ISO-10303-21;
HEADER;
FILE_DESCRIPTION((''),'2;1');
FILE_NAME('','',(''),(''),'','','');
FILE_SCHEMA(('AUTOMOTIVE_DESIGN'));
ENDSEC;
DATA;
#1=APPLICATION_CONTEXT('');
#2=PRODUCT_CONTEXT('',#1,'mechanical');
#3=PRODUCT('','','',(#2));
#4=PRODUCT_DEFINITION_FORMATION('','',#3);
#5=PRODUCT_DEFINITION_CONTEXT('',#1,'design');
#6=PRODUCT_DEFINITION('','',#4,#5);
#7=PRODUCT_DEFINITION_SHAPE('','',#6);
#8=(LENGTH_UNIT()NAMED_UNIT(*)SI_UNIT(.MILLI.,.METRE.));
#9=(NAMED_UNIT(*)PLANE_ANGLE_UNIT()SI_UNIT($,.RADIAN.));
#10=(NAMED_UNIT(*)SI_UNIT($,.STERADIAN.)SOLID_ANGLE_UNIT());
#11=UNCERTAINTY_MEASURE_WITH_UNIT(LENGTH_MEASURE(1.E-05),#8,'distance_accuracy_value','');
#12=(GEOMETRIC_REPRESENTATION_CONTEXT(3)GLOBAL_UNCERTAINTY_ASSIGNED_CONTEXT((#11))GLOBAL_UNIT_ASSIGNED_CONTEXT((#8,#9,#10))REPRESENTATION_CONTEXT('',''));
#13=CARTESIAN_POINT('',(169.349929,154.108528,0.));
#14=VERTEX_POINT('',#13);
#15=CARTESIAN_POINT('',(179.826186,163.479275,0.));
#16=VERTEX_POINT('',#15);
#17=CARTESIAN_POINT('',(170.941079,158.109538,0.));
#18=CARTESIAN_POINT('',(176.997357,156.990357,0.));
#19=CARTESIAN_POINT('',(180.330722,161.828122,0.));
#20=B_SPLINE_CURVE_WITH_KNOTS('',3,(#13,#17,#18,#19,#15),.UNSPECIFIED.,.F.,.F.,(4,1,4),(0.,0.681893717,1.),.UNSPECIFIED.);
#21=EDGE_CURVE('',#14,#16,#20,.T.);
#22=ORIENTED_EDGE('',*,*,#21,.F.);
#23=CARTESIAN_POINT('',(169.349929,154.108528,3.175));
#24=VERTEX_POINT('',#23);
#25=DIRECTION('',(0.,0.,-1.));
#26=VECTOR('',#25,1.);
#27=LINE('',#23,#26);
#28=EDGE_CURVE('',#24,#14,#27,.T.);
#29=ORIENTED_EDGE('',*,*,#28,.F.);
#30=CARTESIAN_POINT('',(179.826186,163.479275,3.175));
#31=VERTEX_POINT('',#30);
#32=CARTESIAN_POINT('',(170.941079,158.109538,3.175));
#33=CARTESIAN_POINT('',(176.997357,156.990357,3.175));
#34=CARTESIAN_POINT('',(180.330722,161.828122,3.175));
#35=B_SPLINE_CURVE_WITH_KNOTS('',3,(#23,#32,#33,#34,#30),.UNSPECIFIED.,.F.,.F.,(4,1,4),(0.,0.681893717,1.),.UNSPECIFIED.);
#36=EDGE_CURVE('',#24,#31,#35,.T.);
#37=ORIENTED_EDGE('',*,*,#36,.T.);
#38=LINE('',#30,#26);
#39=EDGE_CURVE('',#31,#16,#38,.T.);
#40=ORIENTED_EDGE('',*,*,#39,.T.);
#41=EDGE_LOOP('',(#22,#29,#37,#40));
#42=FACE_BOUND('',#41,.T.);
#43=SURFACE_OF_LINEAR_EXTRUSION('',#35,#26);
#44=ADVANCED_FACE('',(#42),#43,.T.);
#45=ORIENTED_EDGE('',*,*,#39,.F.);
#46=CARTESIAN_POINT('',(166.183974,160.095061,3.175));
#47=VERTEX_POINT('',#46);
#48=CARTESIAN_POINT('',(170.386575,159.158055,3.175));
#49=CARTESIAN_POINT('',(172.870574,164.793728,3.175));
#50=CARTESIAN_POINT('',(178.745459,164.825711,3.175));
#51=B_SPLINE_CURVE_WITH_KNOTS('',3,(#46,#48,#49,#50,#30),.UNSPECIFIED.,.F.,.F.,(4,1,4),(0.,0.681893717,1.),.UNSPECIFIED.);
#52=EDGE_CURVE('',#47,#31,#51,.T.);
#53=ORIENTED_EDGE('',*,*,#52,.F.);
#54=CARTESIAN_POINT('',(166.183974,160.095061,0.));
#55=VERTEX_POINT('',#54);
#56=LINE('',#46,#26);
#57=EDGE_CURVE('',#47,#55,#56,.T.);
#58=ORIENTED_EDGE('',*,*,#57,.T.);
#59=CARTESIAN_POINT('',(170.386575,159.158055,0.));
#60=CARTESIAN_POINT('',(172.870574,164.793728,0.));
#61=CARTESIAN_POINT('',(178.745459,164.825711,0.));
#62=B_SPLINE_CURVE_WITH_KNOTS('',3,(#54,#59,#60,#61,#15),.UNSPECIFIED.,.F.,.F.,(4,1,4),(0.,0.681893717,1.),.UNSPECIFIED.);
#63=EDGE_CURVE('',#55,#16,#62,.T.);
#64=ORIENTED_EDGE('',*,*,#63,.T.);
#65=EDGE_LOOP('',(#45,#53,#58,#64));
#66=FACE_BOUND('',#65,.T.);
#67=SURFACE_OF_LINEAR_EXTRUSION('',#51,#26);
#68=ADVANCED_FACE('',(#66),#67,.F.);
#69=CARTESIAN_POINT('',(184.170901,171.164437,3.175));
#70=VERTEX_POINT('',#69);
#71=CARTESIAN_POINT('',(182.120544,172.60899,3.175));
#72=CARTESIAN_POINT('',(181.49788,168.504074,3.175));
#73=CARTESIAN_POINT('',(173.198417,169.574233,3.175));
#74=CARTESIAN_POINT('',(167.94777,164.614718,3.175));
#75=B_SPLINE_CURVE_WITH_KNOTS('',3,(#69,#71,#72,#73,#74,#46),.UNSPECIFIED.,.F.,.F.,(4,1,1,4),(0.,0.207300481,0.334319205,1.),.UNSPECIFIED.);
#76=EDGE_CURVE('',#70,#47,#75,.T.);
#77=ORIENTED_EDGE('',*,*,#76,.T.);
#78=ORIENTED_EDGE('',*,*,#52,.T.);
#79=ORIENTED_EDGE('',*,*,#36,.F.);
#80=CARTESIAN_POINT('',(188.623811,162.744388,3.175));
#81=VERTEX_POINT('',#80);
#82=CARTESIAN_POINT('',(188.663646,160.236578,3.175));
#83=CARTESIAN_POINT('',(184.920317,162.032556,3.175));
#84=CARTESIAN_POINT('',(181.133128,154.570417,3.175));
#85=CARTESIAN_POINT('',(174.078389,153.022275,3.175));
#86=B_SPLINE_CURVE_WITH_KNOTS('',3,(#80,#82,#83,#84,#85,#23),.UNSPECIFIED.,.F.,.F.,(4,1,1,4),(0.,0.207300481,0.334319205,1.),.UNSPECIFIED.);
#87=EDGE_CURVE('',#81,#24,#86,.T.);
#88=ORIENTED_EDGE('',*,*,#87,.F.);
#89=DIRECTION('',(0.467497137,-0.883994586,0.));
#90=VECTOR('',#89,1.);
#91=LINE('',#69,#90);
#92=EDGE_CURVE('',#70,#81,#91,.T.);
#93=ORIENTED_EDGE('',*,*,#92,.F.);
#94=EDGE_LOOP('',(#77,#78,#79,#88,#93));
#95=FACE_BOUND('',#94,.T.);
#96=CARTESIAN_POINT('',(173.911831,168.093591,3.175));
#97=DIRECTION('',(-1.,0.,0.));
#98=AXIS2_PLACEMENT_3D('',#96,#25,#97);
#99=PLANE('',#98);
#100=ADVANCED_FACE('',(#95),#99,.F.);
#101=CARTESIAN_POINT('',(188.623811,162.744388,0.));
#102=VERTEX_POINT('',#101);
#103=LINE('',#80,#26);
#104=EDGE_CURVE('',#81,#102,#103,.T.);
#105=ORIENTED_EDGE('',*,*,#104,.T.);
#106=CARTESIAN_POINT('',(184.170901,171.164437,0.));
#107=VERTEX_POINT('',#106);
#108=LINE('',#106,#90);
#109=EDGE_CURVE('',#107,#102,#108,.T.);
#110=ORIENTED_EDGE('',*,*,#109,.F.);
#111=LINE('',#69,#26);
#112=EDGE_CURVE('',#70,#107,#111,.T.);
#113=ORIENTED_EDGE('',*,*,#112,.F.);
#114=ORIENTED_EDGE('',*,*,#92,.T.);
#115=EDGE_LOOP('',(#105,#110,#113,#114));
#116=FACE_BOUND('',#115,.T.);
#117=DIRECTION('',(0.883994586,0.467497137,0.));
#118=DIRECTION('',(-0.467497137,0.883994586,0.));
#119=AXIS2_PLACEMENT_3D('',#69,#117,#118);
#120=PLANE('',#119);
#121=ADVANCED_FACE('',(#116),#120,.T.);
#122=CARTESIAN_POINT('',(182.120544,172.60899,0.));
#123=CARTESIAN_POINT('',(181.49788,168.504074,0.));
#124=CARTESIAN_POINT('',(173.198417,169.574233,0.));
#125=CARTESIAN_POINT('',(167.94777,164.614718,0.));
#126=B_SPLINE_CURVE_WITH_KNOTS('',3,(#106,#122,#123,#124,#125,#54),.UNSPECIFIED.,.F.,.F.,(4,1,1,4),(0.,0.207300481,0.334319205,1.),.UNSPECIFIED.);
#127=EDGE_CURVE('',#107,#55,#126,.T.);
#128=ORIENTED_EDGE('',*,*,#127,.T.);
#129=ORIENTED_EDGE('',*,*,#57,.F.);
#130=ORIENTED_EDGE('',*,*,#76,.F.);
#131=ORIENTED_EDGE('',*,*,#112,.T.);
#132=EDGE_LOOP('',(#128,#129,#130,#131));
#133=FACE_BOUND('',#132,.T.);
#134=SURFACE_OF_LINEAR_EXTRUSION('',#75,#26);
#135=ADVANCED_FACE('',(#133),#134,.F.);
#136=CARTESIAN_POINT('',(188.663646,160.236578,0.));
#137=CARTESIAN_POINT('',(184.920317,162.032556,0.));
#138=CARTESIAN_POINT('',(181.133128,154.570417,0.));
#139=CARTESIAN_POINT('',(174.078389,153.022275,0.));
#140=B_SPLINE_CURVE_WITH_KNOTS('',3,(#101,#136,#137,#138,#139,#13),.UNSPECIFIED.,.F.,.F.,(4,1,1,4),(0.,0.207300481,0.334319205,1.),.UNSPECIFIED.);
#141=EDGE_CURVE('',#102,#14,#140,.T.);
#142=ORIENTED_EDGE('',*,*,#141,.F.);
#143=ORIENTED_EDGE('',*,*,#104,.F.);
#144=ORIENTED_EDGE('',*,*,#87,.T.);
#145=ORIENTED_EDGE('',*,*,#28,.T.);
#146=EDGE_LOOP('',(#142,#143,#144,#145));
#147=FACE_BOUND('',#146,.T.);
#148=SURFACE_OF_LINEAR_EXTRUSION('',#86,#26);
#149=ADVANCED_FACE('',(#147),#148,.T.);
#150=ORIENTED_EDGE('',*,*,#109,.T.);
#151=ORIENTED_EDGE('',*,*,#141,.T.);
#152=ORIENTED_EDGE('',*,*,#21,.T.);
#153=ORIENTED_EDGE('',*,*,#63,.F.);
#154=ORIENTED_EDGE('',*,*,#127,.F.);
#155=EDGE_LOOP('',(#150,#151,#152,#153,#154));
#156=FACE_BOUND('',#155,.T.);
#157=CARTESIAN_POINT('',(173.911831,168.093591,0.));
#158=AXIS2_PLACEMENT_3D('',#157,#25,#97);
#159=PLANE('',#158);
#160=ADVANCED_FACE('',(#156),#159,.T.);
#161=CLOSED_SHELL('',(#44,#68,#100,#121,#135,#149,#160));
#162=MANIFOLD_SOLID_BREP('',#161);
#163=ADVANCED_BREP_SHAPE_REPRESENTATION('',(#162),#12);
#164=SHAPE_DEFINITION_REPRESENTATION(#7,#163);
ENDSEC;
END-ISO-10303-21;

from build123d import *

# Parameters (mm, degrees)
BOSS_EXTRUDE1_DEPTH = 3.175


with BuildPart() as part:
    # Sketch1 → Boss-Extrude1 (new body)
    with BuildSketch(Plane.XY):
        with BuildLine():
            Line((184.170901213, 171.16443677), (188.623811439, 162.744388343))
            add(Edge.make_bspline(
                [(188.623811439, 162.744388343), (188.663646352, 160.236577893), (184.920317244, 162.032555721), (181.133127764, 154.570416896), (174.078388586, 153.02227532), (169.349928801, 154.108528332)],
                knots=[0, 0, 0, 0, 0.207300481, 0.334319205, 1, 1, 1, 1], degree=3))
            add(Edge.make_bspline(
                [(169.349928801, 154.108528332), (170.941079424, 158.109537527), (176.997356853, 156.990356799), (180.330722428, 161.828121575), (179.826186231, 163.479274525)],
                knots=[0, 0, 0, 0, 0.681893717, 1, 1, 1, 1], degree=3))
            add(Edge.make_bspline(
                [(166.183974101, 160.095060855), (170.386575048, 159.158054893), (172.87057403, 164.793727954), (178.74545881, 164.825710963), (179.826186231, 163.479274525)],
                knots=[0, 0, 0, 0, 0.681893717, 1, 1, 1, 1], degree=3))
            add(Edge.make_bspline(
                [(184.170901213, 171.16443677), (182.120543743, 172.608990098), (181.497879866, 168.504073672), (173.198417299, 169.574233049), (167.947769761, 164.614718189), (166.183974101, 160.095060855)],
                knots=[0, 0, 0, 0, 0.207300481, 0.334319205, 1, 1, 1, 1], degree=3))
        make_face()
    extrude(amount=BOSS_EXTRUDE1_DEPTH)


solid = part.part
